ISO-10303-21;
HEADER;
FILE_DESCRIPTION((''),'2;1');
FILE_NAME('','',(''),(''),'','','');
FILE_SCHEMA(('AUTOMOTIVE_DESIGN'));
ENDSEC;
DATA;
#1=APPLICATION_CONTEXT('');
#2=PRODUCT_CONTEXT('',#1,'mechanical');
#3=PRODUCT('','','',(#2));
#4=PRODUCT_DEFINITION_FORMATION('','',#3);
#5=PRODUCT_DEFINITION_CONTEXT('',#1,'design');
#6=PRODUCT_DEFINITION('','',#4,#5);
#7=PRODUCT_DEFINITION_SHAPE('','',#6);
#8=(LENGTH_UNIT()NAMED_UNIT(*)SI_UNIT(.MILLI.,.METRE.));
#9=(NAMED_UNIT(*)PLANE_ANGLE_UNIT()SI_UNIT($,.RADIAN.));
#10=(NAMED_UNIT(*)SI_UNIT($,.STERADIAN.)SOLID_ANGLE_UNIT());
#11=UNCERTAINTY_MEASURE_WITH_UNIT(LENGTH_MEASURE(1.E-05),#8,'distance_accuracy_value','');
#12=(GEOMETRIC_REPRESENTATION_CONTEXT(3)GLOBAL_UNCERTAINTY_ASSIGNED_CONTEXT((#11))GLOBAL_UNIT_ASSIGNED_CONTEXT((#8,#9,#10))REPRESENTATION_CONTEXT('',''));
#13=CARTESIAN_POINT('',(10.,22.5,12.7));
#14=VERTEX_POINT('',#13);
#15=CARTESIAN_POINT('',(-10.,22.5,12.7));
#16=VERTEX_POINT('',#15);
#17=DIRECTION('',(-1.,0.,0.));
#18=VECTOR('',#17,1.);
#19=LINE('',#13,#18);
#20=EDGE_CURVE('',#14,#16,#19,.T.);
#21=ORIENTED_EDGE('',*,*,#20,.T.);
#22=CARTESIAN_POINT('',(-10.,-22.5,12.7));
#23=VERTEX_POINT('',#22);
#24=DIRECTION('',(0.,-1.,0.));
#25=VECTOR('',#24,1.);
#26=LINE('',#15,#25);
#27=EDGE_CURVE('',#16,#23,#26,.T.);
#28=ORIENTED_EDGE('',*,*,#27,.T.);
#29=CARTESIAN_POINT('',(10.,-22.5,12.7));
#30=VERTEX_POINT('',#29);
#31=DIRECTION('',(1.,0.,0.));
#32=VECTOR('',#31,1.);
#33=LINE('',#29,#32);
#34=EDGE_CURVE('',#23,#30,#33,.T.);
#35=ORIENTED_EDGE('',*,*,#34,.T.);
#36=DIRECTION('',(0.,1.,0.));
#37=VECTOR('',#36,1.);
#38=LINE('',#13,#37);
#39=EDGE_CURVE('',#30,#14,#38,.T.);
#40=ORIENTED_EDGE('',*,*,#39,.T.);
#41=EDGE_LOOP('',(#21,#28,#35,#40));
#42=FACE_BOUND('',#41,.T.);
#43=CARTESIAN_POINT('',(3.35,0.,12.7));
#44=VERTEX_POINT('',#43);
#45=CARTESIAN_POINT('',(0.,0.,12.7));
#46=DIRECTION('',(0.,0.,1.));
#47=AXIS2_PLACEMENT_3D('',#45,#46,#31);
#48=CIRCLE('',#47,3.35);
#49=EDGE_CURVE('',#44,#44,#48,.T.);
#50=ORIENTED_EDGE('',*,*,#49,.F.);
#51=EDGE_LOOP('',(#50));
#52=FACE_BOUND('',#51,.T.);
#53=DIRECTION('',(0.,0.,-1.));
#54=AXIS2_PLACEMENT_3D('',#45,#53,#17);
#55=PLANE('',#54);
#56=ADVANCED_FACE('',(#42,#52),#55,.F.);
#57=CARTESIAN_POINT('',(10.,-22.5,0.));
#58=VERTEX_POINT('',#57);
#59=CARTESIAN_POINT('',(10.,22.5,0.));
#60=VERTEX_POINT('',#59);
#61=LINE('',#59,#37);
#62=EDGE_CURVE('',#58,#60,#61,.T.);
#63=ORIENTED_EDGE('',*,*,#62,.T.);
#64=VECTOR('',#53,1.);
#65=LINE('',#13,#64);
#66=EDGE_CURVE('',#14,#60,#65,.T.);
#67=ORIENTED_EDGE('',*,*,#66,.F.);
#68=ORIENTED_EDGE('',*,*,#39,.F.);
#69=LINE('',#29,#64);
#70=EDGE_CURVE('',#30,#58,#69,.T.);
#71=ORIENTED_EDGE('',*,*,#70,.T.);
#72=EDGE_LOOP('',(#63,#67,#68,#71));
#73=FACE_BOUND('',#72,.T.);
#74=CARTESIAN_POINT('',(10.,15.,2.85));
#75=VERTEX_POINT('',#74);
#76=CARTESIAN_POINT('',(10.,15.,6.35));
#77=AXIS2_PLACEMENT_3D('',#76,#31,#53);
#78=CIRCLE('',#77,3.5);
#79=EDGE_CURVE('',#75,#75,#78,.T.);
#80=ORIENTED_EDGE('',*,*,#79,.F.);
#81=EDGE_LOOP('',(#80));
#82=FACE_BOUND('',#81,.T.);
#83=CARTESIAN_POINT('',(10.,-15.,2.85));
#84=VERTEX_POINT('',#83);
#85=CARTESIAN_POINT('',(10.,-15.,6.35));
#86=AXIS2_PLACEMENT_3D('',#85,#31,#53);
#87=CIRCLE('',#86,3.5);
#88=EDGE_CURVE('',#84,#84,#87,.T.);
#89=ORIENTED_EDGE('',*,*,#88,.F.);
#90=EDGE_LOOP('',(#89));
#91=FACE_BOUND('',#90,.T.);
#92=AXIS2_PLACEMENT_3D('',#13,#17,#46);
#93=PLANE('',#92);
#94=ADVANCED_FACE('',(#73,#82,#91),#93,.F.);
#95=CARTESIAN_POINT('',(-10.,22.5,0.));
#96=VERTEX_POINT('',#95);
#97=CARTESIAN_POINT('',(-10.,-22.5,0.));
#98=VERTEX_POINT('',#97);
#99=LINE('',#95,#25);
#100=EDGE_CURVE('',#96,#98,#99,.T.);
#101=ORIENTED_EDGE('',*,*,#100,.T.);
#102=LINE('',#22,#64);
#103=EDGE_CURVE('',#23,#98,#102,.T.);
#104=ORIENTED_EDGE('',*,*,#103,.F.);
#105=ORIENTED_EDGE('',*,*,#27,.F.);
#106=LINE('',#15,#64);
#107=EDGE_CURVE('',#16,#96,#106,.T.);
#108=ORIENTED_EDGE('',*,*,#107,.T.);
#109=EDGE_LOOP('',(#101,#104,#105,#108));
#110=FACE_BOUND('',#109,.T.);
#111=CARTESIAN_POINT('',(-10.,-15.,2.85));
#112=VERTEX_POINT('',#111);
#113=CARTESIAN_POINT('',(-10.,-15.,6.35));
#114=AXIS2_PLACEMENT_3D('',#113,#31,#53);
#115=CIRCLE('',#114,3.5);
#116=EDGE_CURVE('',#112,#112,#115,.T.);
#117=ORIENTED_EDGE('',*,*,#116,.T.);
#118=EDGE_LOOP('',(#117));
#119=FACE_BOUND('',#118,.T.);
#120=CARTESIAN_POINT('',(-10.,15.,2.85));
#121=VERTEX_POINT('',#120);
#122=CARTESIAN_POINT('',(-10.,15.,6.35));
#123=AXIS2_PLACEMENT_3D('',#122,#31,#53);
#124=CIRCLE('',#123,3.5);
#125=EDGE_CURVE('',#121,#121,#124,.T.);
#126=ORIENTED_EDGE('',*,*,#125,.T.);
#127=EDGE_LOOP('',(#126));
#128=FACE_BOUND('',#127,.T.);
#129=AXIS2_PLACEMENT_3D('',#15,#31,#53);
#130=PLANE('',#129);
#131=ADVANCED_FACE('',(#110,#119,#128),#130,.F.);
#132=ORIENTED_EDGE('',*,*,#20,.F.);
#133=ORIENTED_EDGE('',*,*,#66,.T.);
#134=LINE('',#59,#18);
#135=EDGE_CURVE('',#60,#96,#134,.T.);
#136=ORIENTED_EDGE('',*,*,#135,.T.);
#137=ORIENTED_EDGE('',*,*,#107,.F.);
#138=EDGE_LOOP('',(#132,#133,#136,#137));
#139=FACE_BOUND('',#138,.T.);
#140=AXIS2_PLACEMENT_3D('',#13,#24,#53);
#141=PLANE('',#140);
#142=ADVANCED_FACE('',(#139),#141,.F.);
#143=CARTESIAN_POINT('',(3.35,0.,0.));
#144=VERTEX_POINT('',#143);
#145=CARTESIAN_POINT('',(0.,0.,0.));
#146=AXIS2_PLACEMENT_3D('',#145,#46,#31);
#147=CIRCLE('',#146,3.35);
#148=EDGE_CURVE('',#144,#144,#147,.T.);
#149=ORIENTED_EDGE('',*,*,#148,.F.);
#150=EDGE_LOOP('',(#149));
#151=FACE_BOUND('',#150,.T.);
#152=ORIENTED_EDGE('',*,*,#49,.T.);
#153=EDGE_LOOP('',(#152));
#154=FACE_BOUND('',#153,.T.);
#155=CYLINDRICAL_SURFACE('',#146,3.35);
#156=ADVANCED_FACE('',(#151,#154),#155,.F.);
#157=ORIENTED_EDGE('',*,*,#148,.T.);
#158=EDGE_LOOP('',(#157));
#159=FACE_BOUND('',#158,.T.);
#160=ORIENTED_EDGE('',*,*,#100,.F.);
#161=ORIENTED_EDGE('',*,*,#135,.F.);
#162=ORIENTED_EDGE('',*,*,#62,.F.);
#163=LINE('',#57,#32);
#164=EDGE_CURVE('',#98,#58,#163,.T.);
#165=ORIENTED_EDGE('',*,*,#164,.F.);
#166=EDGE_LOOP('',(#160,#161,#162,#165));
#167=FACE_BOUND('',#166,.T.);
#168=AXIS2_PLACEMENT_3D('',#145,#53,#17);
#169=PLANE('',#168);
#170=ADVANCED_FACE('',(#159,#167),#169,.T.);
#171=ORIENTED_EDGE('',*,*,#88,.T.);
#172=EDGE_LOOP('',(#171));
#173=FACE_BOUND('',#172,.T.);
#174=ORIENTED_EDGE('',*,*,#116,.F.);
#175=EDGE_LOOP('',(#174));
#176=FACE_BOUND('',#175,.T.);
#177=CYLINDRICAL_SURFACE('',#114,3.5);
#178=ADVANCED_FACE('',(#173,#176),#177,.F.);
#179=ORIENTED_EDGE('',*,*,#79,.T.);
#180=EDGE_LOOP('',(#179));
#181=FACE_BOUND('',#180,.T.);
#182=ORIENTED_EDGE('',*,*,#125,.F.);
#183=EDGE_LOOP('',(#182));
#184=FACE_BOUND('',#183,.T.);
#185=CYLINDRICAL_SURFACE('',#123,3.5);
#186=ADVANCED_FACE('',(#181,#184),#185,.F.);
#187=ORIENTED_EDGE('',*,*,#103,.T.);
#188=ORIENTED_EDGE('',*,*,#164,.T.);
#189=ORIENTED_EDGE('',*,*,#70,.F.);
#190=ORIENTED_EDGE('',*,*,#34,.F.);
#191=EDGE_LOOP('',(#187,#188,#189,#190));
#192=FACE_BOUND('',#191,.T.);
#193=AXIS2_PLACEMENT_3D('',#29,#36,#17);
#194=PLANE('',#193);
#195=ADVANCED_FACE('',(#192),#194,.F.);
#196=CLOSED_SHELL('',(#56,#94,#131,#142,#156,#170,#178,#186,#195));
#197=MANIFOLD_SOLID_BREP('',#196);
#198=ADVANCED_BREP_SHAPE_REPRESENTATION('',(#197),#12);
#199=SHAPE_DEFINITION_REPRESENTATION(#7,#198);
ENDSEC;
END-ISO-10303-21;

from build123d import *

# Parameters (mm, degrees)
SKETCH1_W           = 20
SKETCH1_H           = 45
BOSS_EXTRUDE1_DEPTH = 12.7
SKETCH2_R           = 3.35
CUT_EXTRUDE1_DEPTH  = 28.704512268
SKETCH3_R           = 3.5
CUT_EXTRUDE2_DEPTH  = 33.673230633


with BuildPart() as part:
    # Sketch1 → Boss-Extrude1 (new body)
    with BuildSketch(Plane.XY):
        Rectangle(SKETCH1_W, SKETCH1_H)
    extrude(amount=BOSS_EXTRUDE1_DEPTH)

    # Sketch2 → Cut-Extrude1 (cut, through all)
    with BuildSketch(Plane.XY.offset(12.7)):
        Circle(SKETCH2_R)
    extrude(amount=-CUT_EXTRUDE1_DEPTH, mode=Mode.SUBTRACT)

    # Sketch3 → Cut-Extrude2 (cut, through all)
    with BuildSketch(Plane(origin=(10, 0, 0), x_dir=(0, 0, -1), z_dir=(1, 0, 0))):
        with Locations((-6.35, 15)):
            Circle(SKETCH3_R)
        with Locations((-6.35, -15)):
            Circle(SKETCH3_R)
    extrude(amount=-CUT_EXTRUDE2_DEPTH, mode=Mode.SUBTRACT)


solid = part.part
